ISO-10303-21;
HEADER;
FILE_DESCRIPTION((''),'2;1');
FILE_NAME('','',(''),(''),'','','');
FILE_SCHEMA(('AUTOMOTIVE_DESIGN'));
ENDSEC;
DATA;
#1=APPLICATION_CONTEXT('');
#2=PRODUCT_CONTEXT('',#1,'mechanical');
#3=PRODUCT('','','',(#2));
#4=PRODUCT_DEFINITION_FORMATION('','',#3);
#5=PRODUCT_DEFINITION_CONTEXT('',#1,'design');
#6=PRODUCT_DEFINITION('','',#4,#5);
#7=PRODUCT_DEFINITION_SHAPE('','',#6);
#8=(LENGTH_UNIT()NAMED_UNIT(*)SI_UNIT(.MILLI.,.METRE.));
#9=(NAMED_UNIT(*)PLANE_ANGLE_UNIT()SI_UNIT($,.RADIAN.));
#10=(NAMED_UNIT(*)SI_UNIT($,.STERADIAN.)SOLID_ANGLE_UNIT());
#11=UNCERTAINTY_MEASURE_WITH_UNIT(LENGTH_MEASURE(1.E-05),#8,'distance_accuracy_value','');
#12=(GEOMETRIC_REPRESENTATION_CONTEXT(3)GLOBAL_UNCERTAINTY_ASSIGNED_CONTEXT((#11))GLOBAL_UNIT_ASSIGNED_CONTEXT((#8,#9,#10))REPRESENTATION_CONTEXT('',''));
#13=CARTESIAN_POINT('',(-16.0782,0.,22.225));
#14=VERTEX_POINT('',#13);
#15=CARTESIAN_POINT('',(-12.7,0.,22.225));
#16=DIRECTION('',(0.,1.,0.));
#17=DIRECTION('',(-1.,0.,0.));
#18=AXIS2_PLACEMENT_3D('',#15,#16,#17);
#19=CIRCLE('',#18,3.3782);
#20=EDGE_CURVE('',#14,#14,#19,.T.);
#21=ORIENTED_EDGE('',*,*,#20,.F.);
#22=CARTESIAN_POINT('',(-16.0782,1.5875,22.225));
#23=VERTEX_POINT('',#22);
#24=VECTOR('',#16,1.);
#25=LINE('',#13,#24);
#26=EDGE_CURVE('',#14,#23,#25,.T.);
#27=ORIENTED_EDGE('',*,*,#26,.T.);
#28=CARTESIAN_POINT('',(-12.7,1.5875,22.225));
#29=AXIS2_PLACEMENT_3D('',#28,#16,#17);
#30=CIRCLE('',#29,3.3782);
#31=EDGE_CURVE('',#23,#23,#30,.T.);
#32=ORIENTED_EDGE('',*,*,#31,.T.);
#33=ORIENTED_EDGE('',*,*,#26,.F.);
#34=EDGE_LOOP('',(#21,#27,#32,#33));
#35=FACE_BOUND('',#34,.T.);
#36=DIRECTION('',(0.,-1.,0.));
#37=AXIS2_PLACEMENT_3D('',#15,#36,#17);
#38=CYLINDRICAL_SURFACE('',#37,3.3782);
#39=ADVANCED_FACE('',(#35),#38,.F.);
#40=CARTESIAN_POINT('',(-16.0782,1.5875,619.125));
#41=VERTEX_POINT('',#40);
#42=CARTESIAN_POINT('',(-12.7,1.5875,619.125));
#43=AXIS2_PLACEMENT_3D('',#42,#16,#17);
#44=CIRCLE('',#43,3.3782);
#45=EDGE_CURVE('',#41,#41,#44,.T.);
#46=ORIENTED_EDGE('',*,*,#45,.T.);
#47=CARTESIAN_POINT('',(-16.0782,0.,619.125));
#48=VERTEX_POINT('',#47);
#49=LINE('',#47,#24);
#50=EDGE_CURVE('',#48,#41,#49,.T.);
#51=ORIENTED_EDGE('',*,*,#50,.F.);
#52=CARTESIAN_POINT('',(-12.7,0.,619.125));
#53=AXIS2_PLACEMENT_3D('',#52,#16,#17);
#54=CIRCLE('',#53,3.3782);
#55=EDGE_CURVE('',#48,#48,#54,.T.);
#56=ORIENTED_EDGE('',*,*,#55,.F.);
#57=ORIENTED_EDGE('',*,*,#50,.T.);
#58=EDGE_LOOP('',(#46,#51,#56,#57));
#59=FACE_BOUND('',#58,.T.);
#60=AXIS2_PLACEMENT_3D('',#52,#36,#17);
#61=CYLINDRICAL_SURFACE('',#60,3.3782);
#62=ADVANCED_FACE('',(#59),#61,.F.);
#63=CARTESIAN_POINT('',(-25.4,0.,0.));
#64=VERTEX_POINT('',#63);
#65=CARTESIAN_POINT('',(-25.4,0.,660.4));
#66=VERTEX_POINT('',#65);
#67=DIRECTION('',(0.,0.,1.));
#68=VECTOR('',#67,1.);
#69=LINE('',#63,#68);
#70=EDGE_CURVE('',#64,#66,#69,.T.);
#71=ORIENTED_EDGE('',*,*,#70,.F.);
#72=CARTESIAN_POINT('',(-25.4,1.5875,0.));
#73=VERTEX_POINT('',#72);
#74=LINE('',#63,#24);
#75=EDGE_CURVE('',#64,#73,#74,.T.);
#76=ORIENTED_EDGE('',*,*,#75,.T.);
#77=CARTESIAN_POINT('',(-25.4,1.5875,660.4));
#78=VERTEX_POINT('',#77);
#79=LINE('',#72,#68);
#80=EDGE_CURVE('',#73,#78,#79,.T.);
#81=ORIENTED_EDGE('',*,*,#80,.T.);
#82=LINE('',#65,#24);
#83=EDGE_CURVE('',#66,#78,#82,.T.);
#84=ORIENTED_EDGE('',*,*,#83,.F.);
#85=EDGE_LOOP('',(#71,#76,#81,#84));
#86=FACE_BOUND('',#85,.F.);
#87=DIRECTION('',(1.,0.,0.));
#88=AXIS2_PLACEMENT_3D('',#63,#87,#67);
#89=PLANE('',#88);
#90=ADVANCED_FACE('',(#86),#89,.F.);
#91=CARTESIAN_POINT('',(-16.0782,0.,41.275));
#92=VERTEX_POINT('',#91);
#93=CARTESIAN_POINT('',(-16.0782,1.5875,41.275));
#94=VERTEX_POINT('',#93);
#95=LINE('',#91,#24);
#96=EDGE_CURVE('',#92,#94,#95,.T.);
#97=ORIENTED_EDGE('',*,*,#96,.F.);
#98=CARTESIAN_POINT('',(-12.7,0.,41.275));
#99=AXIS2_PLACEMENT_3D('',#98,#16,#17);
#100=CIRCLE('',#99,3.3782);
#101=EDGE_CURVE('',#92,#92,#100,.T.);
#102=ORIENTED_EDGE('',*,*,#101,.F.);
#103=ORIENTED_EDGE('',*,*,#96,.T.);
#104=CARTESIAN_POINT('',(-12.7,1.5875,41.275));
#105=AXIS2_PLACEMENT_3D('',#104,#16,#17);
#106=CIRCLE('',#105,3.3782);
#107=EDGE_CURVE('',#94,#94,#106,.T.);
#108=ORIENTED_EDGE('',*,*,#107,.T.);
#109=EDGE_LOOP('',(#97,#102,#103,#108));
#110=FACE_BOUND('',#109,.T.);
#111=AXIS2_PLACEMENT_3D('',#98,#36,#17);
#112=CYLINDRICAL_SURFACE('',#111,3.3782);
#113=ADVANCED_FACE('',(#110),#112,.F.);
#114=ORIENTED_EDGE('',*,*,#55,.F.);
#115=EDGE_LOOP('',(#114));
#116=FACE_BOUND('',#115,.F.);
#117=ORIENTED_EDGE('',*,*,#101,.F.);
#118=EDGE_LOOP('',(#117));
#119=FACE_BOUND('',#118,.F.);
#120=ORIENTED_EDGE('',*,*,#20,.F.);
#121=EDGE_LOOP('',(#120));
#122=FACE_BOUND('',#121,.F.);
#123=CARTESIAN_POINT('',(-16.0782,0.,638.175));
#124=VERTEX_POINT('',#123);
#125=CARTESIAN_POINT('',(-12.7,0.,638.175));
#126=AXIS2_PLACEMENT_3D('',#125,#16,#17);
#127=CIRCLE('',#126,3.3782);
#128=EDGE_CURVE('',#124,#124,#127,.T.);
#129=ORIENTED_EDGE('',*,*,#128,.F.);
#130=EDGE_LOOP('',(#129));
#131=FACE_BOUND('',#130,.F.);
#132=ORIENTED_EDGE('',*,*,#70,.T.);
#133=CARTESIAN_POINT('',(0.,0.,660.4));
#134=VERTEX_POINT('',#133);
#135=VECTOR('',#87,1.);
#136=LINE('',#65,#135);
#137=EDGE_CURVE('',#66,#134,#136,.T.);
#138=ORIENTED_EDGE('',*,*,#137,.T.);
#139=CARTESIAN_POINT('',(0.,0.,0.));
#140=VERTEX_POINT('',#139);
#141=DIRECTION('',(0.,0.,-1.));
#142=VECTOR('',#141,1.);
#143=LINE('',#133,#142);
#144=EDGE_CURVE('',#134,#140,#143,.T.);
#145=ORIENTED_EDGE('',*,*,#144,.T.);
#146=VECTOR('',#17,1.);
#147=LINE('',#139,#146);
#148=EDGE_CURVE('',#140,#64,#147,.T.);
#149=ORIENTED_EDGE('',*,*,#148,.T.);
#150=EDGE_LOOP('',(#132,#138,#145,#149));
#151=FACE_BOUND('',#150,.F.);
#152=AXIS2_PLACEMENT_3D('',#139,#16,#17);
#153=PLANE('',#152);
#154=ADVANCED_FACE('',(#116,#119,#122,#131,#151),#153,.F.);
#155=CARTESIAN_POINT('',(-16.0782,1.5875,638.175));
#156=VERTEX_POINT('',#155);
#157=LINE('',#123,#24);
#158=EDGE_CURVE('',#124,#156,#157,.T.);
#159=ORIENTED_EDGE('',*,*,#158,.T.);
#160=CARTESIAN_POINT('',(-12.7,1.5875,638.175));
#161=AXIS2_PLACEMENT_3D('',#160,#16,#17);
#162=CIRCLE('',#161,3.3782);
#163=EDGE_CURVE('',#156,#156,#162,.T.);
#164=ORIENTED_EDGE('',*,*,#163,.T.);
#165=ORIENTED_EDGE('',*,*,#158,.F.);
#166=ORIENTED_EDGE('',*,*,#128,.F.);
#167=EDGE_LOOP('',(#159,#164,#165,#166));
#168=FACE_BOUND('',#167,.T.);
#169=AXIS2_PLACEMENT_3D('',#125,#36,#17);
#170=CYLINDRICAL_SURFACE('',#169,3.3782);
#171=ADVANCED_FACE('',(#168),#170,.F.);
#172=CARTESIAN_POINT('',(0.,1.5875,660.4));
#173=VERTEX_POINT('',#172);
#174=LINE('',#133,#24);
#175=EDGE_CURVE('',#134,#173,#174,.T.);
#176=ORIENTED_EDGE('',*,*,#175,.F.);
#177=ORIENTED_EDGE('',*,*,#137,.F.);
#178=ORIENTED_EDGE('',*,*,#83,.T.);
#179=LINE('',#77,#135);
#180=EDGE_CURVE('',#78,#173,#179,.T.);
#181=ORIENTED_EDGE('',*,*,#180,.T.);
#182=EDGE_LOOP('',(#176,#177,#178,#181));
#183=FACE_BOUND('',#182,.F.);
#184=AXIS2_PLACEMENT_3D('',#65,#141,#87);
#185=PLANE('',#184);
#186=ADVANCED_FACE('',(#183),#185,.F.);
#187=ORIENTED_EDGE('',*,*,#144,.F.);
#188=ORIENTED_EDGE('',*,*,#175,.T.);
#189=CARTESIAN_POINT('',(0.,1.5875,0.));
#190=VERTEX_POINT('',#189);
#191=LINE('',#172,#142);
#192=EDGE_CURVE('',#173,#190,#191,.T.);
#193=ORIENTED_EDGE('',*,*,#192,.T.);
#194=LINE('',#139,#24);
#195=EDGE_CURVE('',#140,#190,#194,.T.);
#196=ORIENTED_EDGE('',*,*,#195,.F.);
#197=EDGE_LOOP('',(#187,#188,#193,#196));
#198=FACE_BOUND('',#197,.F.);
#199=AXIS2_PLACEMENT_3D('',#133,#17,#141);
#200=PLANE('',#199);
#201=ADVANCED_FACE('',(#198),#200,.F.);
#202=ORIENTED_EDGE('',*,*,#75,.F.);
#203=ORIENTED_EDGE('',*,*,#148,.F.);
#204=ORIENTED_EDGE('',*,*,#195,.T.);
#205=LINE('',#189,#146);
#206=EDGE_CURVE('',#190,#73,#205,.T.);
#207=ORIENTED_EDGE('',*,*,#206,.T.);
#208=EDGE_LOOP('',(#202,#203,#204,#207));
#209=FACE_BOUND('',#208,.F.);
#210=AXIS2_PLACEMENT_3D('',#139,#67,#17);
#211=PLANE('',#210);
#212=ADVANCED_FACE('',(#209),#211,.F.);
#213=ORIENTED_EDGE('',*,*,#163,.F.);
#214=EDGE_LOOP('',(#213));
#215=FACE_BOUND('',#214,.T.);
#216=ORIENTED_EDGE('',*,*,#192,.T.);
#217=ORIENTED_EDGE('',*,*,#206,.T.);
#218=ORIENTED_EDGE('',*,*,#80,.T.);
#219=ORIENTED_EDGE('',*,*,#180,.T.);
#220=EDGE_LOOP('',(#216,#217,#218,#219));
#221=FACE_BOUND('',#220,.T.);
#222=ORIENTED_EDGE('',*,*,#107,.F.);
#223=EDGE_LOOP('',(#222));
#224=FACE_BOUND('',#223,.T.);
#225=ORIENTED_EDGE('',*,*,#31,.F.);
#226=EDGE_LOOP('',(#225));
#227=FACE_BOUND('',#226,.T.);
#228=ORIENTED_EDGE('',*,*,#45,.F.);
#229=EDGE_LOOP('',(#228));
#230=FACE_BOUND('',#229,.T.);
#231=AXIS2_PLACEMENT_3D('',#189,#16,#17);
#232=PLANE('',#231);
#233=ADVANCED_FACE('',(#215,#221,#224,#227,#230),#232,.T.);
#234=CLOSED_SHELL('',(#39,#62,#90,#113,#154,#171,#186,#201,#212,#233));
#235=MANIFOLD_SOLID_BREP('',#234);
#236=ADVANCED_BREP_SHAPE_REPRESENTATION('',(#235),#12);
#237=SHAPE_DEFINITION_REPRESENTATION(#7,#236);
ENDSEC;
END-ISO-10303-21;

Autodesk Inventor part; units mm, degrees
ref_plane "YZ Plane" through (0, 0, 0) normal (1, 0, 0) x (0, 1, 0)
ref_plane "XZ Plane" through (0, 0, 0) normal (0, 1, 0) x (-1, 0, 0)
ref_plane "XY Plane" through (0, 0, 0) normal (0, 0, 1) x (1, 0, 0)
sketch "Sketch1" plane through (0, 0, 0) normal (0, 1, 0) x (-1, 0, 0)
  line L0 (0, 0) -> (25.4, 0)
  line L1 (25.4, 0) -> (25.4, 660.4)
  line L2 (25.4, 660.4) -> (0, 660.4)
  line L3 (0, 660.4) -> (0, 0)
  line L4 (12.7, 660.4) -> (12.7, 0) construction
  circle A0 centre (12.7, 638.175) radius 3.3782
  circle A1 centre (12.7, 619.125) radius 3.3782
  circle A2 centre (12.7, 22.225) radius 3.3782
  circle A3 centre (12.7, 41.275) radius 3.3782
  dimension "d0" = 660.4
  dimension "d1" = 25.4
  dimension "d4" = 6.7564
  dimension "d5" = 22.225
  dimension "d6" = 19.05
  dimension "d7" = 22.225
  dimension "d8" = 19.05
extrude "Extrusion1" add sketch "Sketch1" along normal blind 1.5875
properties part number "M - 26 inch rail surface" material "Aluminum 6061"
